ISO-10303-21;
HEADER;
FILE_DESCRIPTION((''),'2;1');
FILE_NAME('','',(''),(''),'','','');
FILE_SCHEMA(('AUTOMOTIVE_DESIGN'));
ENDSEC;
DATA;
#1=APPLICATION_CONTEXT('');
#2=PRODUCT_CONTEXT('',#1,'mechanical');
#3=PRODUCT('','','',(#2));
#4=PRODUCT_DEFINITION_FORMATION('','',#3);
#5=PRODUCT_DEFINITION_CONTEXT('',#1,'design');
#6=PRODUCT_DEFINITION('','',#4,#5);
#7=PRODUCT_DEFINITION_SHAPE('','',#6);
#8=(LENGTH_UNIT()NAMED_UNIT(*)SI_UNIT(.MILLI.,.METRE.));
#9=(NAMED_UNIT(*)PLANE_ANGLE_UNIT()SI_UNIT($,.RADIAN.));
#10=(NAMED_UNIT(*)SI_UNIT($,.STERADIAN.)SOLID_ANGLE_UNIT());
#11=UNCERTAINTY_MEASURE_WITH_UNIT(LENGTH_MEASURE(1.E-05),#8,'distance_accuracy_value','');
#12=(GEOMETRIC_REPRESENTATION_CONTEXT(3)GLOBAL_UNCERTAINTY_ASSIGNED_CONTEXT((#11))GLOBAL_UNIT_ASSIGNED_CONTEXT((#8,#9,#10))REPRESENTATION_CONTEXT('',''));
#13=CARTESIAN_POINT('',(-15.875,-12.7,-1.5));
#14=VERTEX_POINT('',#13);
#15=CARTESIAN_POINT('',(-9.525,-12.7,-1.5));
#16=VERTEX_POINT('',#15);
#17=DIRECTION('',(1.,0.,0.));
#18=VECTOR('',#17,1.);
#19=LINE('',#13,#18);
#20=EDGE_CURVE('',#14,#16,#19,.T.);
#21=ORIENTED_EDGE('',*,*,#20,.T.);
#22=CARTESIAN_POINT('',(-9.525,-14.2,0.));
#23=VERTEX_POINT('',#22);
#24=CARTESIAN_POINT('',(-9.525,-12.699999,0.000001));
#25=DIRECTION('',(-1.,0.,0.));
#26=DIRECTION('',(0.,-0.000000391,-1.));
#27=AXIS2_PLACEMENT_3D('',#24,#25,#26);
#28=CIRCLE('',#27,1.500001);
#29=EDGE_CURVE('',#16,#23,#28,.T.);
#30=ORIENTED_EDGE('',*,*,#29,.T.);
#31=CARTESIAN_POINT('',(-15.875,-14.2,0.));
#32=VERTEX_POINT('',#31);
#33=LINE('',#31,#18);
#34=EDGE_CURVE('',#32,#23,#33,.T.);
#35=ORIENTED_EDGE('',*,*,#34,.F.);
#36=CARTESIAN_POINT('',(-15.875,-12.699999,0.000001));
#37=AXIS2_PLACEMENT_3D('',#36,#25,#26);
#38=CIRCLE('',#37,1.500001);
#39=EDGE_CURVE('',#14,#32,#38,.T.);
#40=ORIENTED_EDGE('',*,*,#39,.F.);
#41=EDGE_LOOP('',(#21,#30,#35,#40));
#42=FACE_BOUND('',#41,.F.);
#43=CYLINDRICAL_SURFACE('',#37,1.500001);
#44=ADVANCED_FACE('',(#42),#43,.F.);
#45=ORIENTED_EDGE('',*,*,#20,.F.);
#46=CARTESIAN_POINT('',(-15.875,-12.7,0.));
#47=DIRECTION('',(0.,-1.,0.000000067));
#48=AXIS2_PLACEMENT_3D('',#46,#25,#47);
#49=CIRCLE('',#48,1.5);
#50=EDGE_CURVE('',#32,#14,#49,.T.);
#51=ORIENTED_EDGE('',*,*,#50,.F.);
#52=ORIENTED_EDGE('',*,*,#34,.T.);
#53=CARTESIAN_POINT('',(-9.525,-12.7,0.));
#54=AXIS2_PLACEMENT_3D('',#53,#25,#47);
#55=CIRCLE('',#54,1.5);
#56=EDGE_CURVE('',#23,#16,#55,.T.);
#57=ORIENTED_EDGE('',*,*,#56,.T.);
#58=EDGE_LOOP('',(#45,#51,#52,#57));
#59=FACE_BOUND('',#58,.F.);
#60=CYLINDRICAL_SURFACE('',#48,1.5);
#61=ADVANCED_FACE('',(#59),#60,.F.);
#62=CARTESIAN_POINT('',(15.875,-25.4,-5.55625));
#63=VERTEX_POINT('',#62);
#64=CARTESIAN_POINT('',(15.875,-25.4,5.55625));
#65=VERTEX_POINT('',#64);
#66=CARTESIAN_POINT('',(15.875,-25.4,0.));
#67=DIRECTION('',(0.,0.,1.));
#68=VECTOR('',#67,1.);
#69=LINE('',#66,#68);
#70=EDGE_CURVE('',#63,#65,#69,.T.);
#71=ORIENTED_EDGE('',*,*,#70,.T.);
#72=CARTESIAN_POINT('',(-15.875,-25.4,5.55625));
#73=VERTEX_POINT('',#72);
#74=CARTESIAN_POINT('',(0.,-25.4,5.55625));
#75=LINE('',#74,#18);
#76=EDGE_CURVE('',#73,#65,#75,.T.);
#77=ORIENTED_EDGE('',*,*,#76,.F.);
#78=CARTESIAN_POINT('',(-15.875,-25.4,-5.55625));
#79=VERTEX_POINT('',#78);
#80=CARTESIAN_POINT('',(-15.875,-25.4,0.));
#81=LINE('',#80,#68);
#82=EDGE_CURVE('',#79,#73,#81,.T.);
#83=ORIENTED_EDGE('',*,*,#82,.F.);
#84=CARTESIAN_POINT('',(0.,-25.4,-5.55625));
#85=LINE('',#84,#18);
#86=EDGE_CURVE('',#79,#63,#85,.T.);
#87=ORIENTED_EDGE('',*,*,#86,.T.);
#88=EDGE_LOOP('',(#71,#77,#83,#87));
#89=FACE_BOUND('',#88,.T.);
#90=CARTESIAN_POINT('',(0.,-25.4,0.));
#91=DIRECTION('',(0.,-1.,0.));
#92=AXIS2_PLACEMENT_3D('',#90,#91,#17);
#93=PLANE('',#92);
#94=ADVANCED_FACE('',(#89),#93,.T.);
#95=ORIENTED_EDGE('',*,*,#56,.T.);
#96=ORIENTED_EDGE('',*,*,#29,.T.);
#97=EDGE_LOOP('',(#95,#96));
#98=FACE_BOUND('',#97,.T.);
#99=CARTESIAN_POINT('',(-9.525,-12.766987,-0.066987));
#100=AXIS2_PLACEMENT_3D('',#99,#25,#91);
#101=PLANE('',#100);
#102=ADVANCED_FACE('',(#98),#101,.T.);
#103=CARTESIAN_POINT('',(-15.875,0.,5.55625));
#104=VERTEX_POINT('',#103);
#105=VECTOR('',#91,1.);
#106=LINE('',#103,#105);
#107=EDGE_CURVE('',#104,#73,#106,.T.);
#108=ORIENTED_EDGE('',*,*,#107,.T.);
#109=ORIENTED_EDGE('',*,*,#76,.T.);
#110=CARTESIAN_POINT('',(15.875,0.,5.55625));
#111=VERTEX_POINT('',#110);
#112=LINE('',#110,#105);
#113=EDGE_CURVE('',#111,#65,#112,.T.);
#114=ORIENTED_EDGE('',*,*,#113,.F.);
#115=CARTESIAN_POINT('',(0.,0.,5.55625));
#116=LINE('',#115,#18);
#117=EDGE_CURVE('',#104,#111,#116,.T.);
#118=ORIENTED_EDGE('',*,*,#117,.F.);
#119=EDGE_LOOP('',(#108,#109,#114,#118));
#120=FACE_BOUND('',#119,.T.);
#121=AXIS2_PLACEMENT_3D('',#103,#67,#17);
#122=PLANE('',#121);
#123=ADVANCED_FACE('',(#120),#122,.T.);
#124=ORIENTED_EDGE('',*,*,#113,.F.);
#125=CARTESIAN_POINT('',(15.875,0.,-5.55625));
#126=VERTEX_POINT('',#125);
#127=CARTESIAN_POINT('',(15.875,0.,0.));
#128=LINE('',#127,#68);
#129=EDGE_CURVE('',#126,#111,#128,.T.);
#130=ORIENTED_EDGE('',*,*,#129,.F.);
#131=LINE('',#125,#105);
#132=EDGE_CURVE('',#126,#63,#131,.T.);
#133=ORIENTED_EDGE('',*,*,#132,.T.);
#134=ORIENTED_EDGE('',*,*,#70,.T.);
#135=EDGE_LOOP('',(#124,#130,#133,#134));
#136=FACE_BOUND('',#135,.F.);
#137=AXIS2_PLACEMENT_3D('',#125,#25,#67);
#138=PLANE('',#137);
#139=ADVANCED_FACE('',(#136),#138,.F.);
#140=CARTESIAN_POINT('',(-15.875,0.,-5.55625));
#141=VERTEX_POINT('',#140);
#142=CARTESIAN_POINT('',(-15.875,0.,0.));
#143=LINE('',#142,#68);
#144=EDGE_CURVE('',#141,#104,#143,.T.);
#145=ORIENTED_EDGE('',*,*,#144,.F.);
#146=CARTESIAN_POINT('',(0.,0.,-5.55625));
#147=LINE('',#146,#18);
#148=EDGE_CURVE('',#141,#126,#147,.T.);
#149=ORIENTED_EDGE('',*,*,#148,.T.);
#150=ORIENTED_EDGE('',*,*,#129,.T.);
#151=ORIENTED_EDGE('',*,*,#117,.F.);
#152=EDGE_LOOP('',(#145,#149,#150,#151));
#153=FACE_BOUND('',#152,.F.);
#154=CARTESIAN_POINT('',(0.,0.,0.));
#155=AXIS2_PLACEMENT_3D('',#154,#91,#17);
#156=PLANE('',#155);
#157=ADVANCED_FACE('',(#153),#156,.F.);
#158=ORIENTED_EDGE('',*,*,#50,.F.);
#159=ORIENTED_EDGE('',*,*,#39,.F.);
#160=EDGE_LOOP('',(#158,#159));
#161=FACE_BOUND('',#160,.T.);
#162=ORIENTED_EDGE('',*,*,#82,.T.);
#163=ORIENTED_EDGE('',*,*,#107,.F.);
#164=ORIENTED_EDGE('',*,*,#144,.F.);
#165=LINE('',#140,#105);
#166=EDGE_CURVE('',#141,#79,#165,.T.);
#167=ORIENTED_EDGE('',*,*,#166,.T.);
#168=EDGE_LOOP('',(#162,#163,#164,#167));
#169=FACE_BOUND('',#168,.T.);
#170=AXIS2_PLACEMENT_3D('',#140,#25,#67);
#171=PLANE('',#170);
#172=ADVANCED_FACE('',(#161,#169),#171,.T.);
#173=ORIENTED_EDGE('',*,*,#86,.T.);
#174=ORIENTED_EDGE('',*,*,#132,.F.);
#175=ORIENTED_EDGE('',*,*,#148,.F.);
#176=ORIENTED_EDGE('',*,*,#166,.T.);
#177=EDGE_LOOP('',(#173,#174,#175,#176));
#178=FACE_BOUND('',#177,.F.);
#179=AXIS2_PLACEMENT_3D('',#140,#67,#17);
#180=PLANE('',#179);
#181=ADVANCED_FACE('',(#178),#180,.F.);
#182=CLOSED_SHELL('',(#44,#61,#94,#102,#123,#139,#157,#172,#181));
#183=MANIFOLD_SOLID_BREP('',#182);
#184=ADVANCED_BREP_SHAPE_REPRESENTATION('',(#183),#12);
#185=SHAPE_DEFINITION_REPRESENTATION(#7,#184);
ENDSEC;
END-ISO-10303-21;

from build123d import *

# Parameters (mm, degrees)
F0_W     = 31.75
F0_H     = 11.1125
F1_DEPTH = 25.4
F3_DEPTH = 6.35


with BuildPart() as f1:
    # F0 (on Front) → F1 (new body)
    with BuildSketch(Plane.XZ):
        Rectangle(F0_W, F0_H)
    extrude(amount=F1_DEPTH)

    # F2 (on face) → F3 (cut)
    with BuildSketch(Plane(origin=(-15.875, 0, 0), x_dir=(0, -1, 0), z_dir=(-1, 0, 0))):
        with BuildLine():
            ThreePointArc((12.7, -1.5), (13.76066, -1.06066), (14.2, 0))
            ThreePointArc((14.2, 0), (11.63934, 1.06066), (12.7, -1.5))
        make_face()
    extrude(amount=-F3_DEPTH, mode=Mode.SUBTRACT)


solid = f1.part
